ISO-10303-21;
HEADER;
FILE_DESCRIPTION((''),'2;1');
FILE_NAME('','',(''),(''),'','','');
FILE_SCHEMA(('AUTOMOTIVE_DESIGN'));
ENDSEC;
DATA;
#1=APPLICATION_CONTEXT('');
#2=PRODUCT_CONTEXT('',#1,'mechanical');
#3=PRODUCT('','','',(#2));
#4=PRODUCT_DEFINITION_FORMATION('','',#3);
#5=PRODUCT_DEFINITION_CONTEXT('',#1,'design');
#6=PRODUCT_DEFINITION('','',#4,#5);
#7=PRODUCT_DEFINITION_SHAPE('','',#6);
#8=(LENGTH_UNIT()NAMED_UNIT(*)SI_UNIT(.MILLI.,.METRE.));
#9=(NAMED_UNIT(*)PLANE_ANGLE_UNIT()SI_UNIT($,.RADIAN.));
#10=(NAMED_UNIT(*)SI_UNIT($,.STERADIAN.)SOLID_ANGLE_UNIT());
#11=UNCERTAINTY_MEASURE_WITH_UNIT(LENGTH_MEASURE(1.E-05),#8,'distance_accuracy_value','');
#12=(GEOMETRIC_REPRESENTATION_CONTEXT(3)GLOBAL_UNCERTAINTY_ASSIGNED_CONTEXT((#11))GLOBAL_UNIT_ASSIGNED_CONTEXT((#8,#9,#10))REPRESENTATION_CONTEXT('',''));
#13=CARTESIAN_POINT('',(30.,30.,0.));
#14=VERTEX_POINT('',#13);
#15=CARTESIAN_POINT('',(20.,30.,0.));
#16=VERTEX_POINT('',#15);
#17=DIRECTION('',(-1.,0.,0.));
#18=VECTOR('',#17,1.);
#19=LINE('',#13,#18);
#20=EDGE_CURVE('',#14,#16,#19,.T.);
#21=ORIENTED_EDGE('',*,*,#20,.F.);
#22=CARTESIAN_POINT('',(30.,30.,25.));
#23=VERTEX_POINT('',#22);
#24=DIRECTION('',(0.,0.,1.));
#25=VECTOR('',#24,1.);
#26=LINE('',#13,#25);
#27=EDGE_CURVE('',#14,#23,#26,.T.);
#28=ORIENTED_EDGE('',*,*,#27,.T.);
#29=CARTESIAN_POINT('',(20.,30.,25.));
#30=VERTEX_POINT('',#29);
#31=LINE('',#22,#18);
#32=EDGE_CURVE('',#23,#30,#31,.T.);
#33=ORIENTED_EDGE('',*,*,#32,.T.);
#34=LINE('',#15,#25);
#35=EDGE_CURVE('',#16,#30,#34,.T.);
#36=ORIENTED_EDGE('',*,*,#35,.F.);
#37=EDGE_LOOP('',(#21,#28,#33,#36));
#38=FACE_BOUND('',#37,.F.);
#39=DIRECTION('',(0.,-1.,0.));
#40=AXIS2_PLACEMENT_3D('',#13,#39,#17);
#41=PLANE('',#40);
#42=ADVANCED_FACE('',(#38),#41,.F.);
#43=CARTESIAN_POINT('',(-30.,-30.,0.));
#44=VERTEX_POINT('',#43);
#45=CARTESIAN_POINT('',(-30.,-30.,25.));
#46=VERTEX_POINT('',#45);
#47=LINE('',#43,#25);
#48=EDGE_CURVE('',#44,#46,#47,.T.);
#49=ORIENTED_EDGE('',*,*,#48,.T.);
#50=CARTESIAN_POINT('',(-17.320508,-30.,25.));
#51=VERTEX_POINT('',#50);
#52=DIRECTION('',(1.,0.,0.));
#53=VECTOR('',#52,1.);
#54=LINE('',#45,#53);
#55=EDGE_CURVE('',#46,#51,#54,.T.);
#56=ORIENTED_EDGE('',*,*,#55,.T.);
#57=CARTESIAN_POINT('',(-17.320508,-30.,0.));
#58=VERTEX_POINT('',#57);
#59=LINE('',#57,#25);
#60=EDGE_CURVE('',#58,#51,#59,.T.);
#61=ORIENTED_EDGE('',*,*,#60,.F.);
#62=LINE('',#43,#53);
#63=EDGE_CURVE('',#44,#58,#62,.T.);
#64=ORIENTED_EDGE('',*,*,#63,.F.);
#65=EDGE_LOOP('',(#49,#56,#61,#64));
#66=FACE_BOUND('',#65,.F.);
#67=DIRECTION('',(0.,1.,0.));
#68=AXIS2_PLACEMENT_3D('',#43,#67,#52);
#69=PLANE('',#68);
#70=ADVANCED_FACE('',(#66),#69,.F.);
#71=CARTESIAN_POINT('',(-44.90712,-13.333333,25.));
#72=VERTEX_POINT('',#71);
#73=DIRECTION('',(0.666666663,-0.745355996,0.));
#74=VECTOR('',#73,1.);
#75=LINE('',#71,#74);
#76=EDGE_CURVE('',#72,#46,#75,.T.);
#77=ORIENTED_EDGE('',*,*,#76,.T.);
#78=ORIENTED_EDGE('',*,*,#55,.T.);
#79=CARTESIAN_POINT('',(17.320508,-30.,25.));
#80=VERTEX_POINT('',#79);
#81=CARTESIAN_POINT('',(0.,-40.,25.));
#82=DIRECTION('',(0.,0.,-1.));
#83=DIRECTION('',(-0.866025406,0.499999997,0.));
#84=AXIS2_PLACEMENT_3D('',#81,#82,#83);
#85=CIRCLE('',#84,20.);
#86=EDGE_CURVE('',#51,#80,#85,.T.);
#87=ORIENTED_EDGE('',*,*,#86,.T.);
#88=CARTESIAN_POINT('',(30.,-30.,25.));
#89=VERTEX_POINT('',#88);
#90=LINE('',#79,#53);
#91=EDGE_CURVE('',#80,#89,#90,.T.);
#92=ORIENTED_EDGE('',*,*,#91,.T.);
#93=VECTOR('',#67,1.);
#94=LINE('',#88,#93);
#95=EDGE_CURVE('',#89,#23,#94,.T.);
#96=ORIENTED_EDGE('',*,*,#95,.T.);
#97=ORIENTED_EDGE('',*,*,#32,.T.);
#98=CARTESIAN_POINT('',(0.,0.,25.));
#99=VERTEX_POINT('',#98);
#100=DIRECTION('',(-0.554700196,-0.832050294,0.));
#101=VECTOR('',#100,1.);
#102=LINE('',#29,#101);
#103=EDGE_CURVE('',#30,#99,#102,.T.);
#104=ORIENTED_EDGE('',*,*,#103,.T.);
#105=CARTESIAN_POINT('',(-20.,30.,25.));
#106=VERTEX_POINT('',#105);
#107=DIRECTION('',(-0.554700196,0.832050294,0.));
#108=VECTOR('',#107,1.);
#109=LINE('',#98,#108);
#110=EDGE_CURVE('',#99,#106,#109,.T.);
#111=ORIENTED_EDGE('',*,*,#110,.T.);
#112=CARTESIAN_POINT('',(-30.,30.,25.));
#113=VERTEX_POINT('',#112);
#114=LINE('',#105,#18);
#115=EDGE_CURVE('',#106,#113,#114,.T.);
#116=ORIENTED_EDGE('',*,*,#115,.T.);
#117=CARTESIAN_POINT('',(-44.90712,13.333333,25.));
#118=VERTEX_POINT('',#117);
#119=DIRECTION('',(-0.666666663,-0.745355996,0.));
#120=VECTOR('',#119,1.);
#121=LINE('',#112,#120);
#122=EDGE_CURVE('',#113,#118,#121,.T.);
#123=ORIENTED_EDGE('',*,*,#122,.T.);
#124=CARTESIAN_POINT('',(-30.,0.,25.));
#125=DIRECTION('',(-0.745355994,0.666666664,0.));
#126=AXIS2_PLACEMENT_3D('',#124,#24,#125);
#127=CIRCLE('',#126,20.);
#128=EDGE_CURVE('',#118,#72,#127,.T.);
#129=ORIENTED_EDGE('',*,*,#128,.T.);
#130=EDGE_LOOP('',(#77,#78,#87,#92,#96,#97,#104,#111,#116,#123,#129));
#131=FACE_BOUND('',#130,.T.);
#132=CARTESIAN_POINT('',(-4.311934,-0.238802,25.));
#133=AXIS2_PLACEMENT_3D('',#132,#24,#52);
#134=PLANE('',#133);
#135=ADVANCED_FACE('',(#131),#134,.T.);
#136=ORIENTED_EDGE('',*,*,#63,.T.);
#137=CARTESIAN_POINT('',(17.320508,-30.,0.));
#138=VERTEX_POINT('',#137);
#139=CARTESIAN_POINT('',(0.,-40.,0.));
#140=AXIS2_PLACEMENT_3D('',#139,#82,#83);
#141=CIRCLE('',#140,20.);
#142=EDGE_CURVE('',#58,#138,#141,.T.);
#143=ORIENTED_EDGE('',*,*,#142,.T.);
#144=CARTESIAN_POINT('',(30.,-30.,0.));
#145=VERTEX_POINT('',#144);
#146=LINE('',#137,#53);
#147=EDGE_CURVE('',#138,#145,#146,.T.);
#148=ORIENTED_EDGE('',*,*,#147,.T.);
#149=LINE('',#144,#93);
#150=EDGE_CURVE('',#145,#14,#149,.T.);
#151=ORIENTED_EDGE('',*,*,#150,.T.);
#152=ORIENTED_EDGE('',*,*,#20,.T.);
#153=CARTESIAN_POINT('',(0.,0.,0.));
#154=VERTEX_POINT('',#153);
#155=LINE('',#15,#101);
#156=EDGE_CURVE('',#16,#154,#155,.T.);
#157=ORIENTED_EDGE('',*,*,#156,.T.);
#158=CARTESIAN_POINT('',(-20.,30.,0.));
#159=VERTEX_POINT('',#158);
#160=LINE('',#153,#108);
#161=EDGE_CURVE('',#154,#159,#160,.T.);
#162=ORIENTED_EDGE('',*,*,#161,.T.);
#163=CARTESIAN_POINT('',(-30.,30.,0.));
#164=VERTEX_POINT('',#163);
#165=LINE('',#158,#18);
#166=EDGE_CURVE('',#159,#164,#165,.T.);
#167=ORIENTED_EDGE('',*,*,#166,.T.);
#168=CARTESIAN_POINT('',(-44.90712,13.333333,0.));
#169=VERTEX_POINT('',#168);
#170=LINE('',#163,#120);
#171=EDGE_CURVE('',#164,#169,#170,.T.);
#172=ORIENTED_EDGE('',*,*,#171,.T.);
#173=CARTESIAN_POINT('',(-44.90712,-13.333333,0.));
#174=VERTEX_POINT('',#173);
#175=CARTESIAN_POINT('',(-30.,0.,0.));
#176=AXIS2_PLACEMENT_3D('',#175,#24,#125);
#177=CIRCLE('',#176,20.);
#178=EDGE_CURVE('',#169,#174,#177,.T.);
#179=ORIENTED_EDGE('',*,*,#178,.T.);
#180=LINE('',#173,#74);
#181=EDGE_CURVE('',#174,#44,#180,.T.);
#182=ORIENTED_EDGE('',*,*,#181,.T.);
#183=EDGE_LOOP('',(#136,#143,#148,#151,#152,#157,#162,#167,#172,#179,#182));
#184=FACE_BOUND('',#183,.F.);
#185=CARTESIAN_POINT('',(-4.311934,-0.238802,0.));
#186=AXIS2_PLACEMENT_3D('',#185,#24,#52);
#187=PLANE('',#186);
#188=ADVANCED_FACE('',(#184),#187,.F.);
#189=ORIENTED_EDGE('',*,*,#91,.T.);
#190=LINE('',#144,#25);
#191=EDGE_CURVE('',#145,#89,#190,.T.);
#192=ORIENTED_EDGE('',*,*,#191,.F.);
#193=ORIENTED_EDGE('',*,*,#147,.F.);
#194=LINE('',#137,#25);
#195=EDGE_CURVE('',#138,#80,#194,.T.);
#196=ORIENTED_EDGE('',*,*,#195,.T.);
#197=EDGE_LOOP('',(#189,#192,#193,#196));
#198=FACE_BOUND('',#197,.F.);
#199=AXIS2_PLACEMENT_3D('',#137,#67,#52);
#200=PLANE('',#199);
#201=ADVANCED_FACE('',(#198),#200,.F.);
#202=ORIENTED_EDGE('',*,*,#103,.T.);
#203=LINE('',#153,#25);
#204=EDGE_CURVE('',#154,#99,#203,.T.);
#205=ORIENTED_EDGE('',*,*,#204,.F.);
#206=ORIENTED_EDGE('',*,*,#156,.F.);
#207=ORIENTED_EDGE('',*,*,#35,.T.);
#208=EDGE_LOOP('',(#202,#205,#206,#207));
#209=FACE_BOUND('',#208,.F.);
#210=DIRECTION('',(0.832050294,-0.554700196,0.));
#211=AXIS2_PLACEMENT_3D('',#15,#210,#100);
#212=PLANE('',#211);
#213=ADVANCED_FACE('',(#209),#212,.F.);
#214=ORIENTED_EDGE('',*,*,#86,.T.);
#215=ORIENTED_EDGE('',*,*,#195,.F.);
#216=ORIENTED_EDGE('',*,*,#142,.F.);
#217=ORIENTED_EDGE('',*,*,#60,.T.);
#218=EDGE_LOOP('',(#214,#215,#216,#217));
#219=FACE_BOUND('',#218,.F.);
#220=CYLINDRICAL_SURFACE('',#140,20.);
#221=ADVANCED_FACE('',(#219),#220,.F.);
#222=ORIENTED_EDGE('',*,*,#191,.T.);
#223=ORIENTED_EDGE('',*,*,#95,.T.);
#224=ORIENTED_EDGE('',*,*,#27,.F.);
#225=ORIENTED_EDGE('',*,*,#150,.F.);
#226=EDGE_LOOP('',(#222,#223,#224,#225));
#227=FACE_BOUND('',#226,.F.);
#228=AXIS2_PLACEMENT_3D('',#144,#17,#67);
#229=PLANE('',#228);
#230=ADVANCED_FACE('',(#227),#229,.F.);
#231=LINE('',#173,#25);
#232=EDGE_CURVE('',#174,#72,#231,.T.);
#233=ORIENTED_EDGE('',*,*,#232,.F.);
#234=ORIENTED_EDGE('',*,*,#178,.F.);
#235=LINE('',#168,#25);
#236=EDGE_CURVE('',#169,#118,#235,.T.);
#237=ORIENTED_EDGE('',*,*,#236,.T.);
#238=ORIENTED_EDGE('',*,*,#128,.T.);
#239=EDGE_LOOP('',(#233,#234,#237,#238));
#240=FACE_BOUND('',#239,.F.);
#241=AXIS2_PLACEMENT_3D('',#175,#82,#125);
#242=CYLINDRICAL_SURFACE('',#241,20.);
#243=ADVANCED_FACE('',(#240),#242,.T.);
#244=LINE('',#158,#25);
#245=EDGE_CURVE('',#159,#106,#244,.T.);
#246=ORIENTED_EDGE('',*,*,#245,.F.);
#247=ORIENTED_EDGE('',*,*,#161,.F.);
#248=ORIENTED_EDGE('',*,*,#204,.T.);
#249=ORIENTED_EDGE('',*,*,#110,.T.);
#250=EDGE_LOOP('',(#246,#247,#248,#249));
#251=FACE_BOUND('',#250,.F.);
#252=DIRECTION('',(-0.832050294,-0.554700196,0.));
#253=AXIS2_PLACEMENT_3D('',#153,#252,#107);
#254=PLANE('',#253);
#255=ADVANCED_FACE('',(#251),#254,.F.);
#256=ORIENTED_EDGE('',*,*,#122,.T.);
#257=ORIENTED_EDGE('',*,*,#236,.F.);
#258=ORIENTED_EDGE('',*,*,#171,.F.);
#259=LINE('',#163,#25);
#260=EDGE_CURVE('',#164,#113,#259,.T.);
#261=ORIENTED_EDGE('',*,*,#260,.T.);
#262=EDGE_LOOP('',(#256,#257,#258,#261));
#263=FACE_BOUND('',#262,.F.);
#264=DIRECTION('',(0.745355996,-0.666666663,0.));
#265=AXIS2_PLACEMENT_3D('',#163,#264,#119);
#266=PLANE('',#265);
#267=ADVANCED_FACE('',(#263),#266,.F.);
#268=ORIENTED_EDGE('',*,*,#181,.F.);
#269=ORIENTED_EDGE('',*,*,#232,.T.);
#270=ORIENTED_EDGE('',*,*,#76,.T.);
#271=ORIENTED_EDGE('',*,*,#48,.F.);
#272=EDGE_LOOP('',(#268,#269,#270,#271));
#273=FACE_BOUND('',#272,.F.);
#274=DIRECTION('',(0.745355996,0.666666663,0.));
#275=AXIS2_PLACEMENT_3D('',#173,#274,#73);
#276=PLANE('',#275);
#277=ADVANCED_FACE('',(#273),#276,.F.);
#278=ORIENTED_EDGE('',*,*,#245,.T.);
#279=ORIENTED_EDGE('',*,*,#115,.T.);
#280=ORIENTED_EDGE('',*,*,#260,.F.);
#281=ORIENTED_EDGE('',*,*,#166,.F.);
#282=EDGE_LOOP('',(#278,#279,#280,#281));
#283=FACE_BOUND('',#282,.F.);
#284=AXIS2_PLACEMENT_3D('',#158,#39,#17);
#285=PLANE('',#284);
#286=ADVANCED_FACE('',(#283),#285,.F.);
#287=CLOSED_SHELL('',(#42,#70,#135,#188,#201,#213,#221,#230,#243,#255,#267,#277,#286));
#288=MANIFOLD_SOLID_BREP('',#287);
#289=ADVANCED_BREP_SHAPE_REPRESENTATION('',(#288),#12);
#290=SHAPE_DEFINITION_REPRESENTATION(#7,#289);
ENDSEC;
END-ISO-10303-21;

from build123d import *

# Parameters (mm, degrees)
F1_DEPTH = 25


with BuildPart() as f1:
    # F0 (on Top) → F1 (new body)
    with BuildSketch(Plane.XY):
        with BuildLine():
            Line((0, 0), (-20, 30))
            Line((-20, 30), (-30, 30))
            Line((-30, 30), (-44.90712, 13.333333))
            ThreePointArc((-44.90712, 13.333333), (-50, 0), (-44.90712, -13.333333))
            Line((-44.90712, -13.333333), (-30, -30))
            Line((-30, -30), (-17.320508, -30))
            ThreePointArc((-17.320508, -30), (0, -20), (17.320508, -30))
            Line((17.320508, -30), (30, -30))
            Line((30, -30), (30, 30))
            Line((30, 30), (20, 30))
            Line((20, 30), (0, 0))
        make_face()
    extrude(amount=F1_DEPTH)


solid = f1.part
